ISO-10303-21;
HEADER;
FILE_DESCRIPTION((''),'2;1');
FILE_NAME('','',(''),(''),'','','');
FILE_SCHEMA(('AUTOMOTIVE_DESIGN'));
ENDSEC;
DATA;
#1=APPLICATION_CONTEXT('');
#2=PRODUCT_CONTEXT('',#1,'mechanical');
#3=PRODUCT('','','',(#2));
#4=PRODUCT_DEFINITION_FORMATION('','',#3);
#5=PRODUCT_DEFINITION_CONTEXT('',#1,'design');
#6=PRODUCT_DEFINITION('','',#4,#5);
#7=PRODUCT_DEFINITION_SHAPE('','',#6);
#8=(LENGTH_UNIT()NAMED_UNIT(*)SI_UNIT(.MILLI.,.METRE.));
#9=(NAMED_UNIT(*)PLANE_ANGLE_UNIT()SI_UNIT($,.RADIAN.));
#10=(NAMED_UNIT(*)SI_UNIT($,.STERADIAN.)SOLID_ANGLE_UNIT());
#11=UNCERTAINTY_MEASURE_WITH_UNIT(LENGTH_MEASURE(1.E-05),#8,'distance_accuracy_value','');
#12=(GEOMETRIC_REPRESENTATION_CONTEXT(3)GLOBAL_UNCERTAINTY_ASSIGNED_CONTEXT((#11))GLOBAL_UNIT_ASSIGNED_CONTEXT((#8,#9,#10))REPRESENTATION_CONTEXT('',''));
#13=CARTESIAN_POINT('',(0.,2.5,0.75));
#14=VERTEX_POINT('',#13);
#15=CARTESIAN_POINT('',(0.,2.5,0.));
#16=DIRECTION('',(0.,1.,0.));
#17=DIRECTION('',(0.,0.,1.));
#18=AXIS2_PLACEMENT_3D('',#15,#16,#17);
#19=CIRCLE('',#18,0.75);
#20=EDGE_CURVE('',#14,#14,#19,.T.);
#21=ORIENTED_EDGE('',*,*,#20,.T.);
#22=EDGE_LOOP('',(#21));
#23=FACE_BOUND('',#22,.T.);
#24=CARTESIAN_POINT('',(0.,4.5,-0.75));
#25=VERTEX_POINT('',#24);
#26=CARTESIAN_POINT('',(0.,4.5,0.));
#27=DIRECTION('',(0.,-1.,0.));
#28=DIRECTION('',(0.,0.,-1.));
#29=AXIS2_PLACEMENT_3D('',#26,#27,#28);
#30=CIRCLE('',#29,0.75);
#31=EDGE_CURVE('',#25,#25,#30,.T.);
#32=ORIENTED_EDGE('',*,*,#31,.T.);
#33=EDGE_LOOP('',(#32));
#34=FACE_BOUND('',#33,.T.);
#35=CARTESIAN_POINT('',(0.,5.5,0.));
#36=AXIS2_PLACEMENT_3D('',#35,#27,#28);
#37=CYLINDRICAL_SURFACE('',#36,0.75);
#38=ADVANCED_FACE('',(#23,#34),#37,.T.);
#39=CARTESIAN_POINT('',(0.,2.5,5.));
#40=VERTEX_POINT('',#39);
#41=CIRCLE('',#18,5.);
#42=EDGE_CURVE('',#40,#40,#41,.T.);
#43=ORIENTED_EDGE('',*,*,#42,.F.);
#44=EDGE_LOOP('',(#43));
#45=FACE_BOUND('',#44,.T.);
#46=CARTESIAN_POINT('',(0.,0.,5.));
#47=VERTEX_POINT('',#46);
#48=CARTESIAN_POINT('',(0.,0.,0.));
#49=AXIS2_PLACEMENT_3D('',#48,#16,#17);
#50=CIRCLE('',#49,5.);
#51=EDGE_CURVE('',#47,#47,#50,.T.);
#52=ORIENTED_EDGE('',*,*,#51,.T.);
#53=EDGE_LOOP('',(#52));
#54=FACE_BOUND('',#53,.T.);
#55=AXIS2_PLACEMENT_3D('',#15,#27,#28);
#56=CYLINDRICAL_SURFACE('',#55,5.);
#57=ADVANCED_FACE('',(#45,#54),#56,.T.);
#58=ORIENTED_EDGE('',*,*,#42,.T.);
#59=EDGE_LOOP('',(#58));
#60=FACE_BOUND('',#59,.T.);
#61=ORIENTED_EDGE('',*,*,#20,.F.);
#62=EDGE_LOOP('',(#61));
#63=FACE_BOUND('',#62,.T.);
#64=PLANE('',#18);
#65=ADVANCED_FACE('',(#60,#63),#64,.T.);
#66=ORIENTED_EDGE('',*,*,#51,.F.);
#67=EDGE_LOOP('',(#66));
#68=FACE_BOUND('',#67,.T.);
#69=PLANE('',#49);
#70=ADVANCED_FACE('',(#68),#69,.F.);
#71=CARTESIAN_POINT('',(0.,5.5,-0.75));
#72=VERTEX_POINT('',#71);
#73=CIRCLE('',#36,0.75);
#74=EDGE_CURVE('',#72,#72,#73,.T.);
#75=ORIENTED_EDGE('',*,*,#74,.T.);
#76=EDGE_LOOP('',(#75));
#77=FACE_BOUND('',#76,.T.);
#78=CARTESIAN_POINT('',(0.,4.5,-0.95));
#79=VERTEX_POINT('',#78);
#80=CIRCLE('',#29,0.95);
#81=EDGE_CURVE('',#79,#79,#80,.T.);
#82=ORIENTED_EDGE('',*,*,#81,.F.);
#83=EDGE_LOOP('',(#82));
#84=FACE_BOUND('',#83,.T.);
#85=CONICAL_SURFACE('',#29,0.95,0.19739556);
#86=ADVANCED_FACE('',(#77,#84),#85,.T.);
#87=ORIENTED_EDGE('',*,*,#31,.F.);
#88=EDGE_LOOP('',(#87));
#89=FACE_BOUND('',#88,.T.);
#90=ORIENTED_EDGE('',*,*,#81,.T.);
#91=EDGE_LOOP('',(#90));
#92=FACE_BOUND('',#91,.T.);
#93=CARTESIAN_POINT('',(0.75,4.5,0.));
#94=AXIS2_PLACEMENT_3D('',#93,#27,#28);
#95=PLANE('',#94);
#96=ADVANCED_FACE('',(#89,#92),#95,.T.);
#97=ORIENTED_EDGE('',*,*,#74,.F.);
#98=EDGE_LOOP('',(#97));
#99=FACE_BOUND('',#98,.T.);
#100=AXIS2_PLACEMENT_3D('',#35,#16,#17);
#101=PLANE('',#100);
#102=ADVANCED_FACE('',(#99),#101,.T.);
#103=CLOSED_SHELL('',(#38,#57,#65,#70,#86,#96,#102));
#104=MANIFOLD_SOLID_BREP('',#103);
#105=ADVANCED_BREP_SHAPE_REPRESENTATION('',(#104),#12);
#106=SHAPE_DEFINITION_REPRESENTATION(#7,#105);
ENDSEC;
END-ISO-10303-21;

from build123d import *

# Parameters (mm, degrees)
SKETCH1_R           = 5
BOSS_EXTRUDE1_DEPTH = 2.5
SKETCH2_R           = 0.75
BOSS_EXTRUDE2_DEPTH = 3


with BuildPart() as part:
    # Sketch1 → Boss-Extrude1 (new body)
    with BuildSketch(Plane(origin=(0, 0, 0), x_dir=(1, 0, 0), z_dir=(0, 1, 0))):
        with Locations(Location((0, 0, 0), (0, 0, 270))):
            Circle(SKETCH1_R)
    extrude(amount=BOSS_EXTRUDE1_DEPTH)

    # Sketch2 → Boss-Extrude2 (add)
    with BuildSketch(Plane(origin=(0, 2.5, 0), x_dir=(1, 0, 0), z_dir=(0, 1, 0))):
        with Locations(Location((0, 0, 0), (0, 0, 270))):
            Circle(SKETCH2_R)
    extrude(amount=BOSS_EXTRUDE2_DEPTH)

    # Sketch3 → Revolve1 (revolve)
    with BuildSketch(Plane.XY, mode=Mode.PRIVATE) as revolve1_sk:
        Polygon((0.75, 5.5), (0.75, 4.5), (0.95, 4.5), align=None)
    revolve(revolve1_sk.sketch.rotate(Axis((0, 0, 0), (0, 1, 0)), 90), axis=Axis((0, 0, 0), (0, 1, 0)))


solid = part.part
